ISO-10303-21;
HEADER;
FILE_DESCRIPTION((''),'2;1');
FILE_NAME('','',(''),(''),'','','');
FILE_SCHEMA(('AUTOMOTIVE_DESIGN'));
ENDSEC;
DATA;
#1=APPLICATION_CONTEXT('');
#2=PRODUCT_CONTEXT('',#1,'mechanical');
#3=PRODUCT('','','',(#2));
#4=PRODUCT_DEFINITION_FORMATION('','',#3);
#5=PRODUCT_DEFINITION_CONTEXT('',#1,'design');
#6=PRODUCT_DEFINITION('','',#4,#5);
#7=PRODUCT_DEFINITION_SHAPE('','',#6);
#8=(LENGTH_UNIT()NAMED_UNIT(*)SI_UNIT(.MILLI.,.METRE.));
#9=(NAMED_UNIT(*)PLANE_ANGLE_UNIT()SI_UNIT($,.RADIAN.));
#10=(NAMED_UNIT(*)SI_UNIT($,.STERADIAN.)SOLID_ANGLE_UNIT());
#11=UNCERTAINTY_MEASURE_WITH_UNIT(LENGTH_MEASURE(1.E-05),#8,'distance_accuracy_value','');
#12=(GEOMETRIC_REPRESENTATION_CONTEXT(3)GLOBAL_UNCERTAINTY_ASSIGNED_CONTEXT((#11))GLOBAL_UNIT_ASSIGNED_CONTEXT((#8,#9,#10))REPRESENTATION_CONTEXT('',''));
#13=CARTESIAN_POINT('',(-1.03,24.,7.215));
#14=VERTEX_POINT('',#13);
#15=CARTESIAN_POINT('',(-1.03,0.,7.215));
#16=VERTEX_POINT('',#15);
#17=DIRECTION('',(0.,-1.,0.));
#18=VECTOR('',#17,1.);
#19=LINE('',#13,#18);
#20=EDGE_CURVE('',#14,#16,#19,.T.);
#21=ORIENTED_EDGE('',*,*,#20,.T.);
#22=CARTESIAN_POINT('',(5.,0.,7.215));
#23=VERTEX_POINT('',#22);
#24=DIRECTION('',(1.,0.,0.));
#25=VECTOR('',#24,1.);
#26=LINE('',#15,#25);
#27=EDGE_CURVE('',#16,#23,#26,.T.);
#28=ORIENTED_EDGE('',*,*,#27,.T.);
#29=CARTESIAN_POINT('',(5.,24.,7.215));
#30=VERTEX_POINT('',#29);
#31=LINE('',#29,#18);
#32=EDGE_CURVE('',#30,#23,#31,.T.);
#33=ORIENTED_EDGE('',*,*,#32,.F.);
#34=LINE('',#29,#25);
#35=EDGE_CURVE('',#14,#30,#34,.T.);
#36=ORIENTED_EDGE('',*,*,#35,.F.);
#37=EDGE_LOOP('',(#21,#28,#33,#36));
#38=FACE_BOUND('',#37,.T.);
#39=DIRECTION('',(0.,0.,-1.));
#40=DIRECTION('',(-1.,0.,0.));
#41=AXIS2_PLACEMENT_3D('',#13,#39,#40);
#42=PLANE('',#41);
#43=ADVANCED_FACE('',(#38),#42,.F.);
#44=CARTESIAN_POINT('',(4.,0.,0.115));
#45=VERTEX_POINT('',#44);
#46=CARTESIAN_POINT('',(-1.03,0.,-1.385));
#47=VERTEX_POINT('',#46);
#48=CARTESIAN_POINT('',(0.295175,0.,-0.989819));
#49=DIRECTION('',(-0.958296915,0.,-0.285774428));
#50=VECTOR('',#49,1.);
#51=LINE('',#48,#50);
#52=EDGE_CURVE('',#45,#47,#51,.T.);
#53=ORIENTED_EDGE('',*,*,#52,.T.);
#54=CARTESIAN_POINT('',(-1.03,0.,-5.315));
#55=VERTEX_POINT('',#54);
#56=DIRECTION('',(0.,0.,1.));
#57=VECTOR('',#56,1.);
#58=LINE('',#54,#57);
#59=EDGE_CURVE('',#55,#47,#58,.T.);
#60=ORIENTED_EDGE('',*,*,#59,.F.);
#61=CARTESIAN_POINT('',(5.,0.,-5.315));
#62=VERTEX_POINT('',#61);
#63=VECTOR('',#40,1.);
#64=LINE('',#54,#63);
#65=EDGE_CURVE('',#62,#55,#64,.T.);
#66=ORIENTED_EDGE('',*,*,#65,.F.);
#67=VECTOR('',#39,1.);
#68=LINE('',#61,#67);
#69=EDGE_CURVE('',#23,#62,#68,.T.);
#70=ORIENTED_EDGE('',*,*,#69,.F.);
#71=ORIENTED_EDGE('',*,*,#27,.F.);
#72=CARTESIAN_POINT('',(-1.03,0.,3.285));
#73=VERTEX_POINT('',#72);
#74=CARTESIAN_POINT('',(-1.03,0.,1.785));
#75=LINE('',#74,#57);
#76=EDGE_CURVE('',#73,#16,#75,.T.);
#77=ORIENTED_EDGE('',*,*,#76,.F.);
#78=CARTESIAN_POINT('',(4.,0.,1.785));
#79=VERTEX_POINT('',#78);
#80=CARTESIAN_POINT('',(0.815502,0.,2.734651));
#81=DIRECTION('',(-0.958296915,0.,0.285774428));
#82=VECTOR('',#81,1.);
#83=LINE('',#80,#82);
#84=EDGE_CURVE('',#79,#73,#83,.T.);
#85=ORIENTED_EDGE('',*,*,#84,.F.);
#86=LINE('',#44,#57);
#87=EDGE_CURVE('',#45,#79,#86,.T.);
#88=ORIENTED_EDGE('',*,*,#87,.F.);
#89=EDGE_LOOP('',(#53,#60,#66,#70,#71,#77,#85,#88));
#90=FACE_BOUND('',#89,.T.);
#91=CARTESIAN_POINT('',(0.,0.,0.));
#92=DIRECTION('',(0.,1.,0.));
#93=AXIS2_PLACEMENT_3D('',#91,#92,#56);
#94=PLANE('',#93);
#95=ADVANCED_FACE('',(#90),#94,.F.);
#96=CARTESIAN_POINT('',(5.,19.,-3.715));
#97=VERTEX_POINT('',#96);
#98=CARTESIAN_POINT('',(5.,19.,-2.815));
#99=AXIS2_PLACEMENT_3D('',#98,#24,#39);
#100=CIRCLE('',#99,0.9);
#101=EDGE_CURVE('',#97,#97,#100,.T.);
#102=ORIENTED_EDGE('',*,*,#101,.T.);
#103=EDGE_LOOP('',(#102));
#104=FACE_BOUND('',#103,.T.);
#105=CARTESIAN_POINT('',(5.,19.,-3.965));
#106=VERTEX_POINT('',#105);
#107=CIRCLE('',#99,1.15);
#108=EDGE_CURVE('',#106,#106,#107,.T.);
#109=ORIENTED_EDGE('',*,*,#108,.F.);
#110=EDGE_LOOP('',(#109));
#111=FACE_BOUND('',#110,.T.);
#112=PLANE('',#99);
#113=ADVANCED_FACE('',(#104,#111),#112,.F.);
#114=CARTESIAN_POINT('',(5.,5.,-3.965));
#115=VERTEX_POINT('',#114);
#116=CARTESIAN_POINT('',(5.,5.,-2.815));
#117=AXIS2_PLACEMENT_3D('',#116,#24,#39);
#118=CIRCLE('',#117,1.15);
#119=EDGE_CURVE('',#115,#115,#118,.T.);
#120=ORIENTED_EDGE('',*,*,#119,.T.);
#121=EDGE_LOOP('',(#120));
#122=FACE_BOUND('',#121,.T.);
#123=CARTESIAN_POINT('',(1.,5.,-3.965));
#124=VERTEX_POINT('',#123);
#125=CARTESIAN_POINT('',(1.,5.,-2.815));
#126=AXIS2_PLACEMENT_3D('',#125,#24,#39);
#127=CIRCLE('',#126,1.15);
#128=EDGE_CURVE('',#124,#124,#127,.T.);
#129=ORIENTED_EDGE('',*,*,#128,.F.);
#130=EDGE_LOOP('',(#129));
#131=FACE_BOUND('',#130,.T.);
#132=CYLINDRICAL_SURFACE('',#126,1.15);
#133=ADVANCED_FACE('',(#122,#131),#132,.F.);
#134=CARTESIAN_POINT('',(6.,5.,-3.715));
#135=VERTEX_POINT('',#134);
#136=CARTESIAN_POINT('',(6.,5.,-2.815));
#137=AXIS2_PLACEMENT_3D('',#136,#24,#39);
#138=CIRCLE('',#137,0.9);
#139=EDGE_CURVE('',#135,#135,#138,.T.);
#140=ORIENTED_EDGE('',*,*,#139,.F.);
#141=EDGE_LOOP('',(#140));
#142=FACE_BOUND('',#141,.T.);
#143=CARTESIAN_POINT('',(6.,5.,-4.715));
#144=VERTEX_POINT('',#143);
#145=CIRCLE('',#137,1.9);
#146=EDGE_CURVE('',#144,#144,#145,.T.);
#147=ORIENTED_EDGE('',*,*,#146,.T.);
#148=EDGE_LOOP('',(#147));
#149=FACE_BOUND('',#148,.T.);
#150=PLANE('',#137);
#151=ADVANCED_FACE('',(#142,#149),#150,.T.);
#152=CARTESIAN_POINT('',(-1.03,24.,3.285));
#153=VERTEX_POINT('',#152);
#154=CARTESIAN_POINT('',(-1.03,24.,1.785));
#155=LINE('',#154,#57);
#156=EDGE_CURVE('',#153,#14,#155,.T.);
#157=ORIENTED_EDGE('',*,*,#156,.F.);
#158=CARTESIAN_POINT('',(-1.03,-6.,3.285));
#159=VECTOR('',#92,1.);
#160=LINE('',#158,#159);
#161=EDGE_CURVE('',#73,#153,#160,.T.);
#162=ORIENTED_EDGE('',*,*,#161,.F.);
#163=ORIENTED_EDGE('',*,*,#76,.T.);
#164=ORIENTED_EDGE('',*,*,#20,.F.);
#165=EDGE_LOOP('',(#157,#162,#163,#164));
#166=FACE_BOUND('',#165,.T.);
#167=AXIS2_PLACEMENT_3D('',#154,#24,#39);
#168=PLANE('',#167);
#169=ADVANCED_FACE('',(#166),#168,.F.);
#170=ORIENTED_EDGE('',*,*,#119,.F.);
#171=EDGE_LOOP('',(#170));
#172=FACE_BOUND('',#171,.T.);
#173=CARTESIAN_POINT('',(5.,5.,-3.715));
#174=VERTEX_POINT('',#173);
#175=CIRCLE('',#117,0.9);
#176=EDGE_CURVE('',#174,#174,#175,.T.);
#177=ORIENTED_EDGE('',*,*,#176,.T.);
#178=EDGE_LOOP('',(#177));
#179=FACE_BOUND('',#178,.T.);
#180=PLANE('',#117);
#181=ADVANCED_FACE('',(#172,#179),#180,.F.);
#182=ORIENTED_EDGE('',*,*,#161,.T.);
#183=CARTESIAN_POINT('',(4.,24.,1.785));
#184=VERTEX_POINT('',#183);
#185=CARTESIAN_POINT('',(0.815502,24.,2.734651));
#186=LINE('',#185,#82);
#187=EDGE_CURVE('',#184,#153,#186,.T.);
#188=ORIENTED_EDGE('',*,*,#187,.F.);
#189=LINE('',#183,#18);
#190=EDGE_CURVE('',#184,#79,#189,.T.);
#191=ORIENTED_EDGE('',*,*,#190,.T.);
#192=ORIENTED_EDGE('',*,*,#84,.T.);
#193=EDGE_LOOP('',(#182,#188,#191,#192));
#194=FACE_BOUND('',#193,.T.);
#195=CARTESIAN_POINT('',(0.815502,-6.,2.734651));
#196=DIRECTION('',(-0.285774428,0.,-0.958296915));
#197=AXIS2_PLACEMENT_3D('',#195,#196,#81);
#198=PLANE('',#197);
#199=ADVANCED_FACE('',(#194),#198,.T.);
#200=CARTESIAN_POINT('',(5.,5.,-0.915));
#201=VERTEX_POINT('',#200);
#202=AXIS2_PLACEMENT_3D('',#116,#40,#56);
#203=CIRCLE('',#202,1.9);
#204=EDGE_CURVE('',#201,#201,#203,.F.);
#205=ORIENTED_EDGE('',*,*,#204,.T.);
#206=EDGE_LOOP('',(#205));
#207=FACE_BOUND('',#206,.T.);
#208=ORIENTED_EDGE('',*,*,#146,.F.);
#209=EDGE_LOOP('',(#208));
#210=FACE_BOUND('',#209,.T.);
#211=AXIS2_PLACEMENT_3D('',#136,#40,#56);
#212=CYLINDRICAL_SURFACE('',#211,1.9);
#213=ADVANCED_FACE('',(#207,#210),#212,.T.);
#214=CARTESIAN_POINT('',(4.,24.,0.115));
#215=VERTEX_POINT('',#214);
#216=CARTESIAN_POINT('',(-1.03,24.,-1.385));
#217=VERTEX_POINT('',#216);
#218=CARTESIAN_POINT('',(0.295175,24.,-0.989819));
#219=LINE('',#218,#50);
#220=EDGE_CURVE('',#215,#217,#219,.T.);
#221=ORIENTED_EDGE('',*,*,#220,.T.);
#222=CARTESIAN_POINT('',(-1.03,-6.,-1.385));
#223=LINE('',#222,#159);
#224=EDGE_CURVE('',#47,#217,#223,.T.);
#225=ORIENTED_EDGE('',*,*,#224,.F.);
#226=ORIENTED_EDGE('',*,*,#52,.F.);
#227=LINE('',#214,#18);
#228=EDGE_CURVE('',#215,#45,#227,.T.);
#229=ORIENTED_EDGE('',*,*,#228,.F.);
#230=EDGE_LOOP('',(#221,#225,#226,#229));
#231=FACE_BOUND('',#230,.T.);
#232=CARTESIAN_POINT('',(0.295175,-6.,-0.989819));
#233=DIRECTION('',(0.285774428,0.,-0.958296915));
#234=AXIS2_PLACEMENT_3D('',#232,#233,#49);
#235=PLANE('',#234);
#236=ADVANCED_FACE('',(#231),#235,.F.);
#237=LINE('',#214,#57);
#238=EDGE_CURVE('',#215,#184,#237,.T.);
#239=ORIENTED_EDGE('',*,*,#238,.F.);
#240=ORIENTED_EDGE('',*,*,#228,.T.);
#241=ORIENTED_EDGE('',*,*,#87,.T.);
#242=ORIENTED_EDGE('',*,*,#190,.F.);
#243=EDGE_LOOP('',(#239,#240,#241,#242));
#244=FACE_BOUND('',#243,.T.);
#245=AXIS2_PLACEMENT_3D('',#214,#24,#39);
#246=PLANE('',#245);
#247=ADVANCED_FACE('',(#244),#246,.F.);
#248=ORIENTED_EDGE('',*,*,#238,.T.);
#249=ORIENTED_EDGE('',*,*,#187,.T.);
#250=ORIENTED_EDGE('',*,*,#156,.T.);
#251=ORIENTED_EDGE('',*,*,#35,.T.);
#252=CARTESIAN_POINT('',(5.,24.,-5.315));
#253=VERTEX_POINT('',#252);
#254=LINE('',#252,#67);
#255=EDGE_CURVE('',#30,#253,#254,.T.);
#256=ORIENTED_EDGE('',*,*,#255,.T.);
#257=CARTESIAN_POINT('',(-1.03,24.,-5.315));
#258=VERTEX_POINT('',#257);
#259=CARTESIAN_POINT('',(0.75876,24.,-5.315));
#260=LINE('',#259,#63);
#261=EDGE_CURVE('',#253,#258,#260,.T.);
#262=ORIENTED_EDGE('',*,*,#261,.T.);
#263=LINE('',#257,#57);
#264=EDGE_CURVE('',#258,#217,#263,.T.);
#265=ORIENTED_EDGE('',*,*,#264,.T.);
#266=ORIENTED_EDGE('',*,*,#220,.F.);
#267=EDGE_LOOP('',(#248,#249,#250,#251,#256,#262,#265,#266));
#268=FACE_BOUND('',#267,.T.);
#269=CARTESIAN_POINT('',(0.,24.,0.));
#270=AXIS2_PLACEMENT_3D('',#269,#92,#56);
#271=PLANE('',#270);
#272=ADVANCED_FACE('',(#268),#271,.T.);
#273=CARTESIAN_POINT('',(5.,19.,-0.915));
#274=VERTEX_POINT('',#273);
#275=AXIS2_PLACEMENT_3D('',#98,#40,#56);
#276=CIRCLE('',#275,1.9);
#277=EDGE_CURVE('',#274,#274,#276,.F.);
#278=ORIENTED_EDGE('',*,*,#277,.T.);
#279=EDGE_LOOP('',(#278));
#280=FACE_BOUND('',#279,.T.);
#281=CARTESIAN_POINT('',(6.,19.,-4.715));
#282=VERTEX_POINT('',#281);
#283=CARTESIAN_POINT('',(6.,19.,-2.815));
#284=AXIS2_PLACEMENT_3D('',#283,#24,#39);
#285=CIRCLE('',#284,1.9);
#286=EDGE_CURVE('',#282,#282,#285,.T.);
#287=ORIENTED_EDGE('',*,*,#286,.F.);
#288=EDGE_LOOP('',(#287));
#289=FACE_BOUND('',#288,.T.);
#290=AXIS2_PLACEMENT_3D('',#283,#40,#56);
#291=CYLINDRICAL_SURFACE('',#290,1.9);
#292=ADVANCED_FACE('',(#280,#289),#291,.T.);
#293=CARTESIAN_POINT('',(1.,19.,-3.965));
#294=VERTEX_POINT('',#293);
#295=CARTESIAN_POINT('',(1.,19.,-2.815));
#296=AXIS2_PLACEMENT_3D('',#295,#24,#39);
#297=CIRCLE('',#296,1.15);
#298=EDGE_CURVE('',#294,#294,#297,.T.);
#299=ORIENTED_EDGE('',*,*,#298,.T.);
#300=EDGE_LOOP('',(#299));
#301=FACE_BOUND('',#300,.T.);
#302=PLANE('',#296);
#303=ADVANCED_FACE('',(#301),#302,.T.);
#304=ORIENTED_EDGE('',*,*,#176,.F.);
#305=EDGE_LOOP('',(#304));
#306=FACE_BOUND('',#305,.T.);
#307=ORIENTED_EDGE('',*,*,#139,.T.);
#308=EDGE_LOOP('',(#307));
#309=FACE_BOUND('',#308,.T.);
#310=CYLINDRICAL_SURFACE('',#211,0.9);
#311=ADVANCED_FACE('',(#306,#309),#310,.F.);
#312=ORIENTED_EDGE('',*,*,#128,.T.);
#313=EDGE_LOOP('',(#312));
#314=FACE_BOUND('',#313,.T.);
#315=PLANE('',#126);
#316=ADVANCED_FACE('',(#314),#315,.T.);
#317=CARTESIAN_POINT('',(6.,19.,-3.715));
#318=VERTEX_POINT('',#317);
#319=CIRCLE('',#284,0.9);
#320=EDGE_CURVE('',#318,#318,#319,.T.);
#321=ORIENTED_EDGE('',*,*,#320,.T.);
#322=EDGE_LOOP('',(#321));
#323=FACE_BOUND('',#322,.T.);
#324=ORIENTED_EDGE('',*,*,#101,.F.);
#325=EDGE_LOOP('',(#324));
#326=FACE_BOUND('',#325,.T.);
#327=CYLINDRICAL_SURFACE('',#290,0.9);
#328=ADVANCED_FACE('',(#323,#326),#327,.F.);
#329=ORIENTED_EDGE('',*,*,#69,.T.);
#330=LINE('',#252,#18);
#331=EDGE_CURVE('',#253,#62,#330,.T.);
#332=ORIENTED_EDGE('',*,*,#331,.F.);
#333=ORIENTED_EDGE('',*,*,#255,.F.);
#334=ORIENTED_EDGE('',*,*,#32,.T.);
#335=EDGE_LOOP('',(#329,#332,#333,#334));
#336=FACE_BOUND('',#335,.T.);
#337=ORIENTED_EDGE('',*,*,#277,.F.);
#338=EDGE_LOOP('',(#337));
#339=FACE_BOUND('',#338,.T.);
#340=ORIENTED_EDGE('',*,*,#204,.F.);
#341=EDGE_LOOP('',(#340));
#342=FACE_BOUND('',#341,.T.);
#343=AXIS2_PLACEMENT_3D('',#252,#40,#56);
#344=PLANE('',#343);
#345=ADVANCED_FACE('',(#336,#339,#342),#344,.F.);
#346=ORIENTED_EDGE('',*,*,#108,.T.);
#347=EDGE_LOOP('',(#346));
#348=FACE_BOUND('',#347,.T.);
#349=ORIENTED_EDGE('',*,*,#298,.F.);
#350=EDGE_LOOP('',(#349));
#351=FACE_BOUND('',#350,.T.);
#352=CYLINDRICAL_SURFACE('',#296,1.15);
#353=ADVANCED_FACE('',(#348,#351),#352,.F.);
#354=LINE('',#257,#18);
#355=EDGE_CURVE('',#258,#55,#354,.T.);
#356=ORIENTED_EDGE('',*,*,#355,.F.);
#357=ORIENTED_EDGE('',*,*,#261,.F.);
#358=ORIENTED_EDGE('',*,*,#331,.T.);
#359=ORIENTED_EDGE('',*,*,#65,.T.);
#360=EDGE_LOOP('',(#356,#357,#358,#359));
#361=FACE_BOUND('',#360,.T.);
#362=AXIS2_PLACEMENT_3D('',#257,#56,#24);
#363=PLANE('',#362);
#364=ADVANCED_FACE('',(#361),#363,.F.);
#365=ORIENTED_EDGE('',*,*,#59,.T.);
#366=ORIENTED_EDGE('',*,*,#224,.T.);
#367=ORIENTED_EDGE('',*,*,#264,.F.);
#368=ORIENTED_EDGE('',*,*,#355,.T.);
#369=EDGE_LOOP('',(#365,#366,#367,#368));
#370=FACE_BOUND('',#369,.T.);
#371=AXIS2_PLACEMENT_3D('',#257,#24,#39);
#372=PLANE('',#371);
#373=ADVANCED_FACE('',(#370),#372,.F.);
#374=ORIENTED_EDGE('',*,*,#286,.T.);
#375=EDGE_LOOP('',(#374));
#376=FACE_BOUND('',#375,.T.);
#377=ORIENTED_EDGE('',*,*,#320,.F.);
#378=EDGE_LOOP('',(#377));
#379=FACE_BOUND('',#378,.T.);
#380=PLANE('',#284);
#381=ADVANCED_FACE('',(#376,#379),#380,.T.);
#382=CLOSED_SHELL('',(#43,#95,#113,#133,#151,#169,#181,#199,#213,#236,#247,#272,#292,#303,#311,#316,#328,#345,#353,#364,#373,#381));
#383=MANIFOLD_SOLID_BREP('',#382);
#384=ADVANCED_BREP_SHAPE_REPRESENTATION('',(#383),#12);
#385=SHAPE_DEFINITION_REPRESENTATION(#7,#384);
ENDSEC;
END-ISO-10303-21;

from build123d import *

# Parameters (mm, degrees)
BOSS_EXTRUDE1_DEPTH = 24
SKETCH3_R           = 1.9
SKETCH3_R_2         = 0.9
BOSS_EXTRUDE2_DEPTH = 1
SKETCH4_R           = 1.15
CUT_EXTRUDE2_DEPTH  = 4
CUT_EXTRUDE3_DEPTH  = 30


with BuildPart() as part:
    # Sketch1 → Boss-Extrude1 (new body)
    with BuildSketch(Plane(origin=(0, 0, 0), x_dir=(1, 0, 0), z_dir=(0, 1, 0))):
        Polygon((0.758759529, 5.315), (5, 5.315), (5, -7.215), (1.398203198, -7.215), (-1.03, -7.215), (-1.03, -1.785), (4, -1.785), (4, -0.115), (-1.03, -0.115), (-1.03, 5.315), align=None)
    extrude(amount=BOSS_EXTRUDE1_DEPTH)

    # Sketch3 → Boss-Extrude2 (add)
    with BuildSketch(Plane(origin=(5, 0, 0), x_dir=(0, 0, -1), z_dir=(1, 0, 0))):
        with Locations((2.815, 19)):
            Circle(SKETCH3_R)
        with Locations((2.815, 19)):
            Circle(SKETCH3_R_2, mode=Mode.SUBTRACT)
        with Locations((2.815, 5)):
            Circle(SKETCH3_R)
        with Locations((2.815, 5)):
            Circle(SKETCH3_R_2, mode=Mode.SUBTRACT)
    extrude(amount=BOSS_EXTRUDE2_DEPTH)

    # Sketch4 → Cut-Extrude2 (cut)
    with BuildSketch(Plane(origin=(5, 0, 0), x_dir=(0, 0, -1), z_dir=(1, 0, 0))):
        with Locations((2.815, 19)):
            Circle(SKETCH4_R)
        with Locations((2.815, 5)):
            Circle(SKETCH4_R)
    extrude(amount=-CUT_EXTRUDE2_DEPTH, mode=Mode.SUBTRACT)

    # Sketch6 → Cut-Extrude3 (cut)
    with BuildSketch(Plane(origin=(0, 24, 0), x_dir=(1, 0, 0), z_dir=(0, 1, 0))):
        Polygon((-1.03, -0.115), (4, -0.115), (-1.03, 1.385), align=None)
        Polygon((4, -1.785), (-1.03, -1.785), (-1.03, -3.285), align=None)
    extrude(amount=-CUT_EXTRUDE3_DEPTH, mode=Mode.SUBTRACT)


solid = part.part
